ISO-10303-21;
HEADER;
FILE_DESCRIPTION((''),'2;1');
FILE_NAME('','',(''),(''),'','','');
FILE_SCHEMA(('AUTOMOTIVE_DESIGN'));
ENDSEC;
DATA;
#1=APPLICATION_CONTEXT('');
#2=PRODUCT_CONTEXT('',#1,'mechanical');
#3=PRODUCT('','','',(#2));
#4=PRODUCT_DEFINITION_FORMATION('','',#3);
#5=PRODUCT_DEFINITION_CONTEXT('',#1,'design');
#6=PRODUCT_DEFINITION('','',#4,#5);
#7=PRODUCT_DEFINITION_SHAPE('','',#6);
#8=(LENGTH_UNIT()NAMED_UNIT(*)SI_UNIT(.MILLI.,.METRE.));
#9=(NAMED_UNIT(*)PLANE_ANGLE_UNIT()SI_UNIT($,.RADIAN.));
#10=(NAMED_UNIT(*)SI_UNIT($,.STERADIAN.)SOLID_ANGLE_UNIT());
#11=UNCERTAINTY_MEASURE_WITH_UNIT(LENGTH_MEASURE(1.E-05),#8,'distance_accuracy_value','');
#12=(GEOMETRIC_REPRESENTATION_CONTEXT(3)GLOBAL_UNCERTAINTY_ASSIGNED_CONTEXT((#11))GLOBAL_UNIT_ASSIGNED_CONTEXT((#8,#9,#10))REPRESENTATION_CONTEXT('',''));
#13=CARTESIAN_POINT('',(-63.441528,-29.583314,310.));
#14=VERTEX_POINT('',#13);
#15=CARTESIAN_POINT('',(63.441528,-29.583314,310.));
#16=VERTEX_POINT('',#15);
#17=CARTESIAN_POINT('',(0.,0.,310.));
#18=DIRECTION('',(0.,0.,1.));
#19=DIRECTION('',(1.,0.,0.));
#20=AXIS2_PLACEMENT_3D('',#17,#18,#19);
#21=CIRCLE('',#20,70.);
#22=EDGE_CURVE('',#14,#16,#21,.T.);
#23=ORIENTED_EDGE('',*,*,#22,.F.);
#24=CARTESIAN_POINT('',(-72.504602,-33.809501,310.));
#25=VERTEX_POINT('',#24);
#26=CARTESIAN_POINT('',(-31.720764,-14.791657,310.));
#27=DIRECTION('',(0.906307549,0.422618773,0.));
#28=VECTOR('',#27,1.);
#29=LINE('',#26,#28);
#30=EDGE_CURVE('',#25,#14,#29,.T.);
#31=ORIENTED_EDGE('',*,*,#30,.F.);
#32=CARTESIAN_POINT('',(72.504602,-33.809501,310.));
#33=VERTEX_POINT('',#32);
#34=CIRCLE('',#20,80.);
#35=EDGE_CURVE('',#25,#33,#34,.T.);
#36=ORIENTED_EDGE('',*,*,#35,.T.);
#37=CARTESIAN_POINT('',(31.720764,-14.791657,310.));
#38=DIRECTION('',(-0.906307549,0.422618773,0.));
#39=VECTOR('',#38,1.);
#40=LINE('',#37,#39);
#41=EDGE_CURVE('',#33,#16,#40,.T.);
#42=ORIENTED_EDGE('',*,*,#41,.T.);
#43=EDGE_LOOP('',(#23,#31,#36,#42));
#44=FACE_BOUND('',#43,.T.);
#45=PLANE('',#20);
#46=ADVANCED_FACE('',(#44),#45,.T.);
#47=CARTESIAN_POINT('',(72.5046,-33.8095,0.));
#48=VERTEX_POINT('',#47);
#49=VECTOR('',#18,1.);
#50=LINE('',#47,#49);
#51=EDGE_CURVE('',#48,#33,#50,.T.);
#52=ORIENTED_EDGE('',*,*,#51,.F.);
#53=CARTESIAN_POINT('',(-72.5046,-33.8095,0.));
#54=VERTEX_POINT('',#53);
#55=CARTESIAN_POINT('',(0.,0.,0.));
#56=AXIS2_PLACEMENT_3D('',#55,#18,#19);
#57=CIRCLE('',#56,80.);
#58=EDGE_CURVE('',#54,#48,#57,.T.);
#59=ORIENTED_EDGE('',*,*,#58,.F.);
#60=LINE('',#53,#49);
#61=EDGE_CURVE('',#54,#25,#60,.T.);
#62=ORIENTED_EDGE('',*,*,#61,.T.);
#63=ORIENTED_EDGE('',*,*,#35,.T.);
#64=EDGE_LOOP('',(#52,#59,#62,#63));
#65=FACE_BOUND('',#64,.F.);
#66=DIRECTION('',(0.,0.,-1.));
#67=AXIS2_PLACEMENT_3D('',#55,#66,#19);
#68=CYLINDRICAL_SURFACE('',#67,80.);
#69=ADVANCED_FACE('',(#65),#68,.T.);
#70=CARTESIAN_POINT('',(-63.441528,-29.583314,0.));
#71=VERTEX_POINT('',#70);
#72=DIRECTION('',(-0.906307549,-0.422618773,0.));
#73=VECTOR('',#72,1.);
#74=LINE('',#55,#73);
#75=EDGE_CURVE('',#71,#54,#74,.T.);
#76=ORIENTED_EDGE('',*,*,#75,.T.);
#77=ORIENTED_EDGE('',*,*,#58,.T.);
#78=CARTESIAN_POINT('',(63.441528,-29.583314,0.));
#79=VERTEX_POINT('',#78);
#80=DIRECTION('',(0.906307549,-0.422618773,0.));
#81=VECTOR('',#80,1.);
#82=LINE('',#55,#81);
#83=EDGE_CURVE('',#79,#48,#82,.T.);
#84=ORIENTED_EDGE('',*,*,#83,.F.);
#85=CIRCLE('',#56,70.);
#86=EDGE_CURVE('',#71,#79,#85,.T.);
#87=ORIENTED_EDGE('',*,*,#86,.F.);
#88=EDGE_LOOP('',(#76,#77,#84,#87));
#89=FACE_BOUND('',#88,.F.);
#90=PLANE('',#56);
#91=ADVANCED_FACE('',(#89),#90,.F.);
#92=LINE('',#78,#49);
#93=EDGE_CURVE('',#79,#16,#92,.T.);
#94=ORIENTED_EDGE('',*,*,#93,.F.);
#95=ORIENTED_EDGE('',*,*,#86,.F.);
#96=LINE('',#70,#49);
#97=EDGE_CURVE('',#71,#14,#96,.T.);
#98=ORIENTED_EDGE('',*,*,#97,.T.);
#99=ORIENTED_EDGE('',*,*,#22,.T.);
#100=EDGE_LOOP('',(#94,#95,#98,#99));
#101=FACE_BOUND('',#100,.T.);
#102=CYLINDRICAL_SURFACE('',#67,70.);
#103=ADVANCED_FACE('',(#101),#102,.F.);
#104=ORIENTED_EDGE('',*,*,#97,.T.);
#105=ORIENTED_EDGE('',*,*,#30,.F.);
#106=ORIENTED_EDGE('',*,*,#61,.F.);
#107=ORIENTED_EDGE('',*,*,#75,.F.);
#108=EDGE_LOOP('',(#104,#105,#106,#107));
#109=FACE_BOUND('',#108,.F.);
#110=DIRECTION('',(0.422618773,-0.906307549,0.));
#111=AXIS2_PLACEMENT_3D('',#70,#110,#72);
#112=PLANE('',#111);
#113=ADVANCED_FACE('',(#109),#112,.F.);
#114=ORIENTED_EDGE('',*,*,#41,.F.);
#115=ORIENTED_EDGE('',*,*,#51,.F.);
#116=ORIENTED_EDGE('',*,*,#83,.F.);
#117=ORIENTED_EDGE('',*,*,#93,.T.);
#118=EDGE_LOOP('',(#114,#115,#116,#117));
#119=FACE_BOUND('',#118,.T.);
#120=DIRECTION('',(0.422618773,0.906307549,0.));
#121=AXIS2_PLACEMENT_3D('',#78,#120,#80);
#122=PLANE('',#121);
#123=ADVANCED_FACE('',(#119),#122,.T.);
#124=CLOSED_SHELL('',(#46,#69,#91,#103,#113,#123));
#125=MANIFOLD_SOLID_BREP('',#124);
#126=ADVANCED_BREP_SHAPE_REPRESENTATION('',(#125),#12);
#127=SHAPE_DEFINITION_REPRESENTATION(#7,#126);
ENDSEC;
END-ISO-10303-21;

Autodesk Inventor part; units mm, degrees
ref_plane "YZ Plane" through (0, 0, 0) normal (1, 0, 0) x (0, 1, 0)
ref_plane "XZ Plane" through (0, 0, 0) normal (0, 1, 0) x (-1, 0, 0)
ref_plane "XY Plane" through (0, 0, 0) normal (0, 0, 1) x (1, 0, 0)
sketch "Sketch1" plane through (0, 0, 0) normal (0, 0, 1) x (1, 0, 0)
  circle A0 centre (0, 0) radius 70
  circle A1 centre (0, 0) radius 80
  dimension "d6" = 10
  dimension "d11" = 160
extrude "Extrusion1" add sketch "Sketch1" along normal blind 310
sketch "Sketch5" plane through (0, 0, 0) normal (0, 0, 1) x (1, 0, 0)
  circle A0 centre (0, 0) radius 80 projected
  circle A1 centre (0, 0) radius 70 projected
  line L0 (0, 0) -> (-72.5046, -33.8095)
  line L1 (0, 0) -> (72.5046, -33.8095)
  line L2 (0, 0) -> (0, -80) construction
  point P0 (63.4415, -29.5833)
  point P1 (-63.4415, -29.5833)
  dimension "d8" = 130
extrude "Extrusion3" cut sketch "Sketch5" along normal through all contours A0 L1 A1 L0 picked at (76.3447, 4.1316)
properties part number "NVPH-303 second tube half"
